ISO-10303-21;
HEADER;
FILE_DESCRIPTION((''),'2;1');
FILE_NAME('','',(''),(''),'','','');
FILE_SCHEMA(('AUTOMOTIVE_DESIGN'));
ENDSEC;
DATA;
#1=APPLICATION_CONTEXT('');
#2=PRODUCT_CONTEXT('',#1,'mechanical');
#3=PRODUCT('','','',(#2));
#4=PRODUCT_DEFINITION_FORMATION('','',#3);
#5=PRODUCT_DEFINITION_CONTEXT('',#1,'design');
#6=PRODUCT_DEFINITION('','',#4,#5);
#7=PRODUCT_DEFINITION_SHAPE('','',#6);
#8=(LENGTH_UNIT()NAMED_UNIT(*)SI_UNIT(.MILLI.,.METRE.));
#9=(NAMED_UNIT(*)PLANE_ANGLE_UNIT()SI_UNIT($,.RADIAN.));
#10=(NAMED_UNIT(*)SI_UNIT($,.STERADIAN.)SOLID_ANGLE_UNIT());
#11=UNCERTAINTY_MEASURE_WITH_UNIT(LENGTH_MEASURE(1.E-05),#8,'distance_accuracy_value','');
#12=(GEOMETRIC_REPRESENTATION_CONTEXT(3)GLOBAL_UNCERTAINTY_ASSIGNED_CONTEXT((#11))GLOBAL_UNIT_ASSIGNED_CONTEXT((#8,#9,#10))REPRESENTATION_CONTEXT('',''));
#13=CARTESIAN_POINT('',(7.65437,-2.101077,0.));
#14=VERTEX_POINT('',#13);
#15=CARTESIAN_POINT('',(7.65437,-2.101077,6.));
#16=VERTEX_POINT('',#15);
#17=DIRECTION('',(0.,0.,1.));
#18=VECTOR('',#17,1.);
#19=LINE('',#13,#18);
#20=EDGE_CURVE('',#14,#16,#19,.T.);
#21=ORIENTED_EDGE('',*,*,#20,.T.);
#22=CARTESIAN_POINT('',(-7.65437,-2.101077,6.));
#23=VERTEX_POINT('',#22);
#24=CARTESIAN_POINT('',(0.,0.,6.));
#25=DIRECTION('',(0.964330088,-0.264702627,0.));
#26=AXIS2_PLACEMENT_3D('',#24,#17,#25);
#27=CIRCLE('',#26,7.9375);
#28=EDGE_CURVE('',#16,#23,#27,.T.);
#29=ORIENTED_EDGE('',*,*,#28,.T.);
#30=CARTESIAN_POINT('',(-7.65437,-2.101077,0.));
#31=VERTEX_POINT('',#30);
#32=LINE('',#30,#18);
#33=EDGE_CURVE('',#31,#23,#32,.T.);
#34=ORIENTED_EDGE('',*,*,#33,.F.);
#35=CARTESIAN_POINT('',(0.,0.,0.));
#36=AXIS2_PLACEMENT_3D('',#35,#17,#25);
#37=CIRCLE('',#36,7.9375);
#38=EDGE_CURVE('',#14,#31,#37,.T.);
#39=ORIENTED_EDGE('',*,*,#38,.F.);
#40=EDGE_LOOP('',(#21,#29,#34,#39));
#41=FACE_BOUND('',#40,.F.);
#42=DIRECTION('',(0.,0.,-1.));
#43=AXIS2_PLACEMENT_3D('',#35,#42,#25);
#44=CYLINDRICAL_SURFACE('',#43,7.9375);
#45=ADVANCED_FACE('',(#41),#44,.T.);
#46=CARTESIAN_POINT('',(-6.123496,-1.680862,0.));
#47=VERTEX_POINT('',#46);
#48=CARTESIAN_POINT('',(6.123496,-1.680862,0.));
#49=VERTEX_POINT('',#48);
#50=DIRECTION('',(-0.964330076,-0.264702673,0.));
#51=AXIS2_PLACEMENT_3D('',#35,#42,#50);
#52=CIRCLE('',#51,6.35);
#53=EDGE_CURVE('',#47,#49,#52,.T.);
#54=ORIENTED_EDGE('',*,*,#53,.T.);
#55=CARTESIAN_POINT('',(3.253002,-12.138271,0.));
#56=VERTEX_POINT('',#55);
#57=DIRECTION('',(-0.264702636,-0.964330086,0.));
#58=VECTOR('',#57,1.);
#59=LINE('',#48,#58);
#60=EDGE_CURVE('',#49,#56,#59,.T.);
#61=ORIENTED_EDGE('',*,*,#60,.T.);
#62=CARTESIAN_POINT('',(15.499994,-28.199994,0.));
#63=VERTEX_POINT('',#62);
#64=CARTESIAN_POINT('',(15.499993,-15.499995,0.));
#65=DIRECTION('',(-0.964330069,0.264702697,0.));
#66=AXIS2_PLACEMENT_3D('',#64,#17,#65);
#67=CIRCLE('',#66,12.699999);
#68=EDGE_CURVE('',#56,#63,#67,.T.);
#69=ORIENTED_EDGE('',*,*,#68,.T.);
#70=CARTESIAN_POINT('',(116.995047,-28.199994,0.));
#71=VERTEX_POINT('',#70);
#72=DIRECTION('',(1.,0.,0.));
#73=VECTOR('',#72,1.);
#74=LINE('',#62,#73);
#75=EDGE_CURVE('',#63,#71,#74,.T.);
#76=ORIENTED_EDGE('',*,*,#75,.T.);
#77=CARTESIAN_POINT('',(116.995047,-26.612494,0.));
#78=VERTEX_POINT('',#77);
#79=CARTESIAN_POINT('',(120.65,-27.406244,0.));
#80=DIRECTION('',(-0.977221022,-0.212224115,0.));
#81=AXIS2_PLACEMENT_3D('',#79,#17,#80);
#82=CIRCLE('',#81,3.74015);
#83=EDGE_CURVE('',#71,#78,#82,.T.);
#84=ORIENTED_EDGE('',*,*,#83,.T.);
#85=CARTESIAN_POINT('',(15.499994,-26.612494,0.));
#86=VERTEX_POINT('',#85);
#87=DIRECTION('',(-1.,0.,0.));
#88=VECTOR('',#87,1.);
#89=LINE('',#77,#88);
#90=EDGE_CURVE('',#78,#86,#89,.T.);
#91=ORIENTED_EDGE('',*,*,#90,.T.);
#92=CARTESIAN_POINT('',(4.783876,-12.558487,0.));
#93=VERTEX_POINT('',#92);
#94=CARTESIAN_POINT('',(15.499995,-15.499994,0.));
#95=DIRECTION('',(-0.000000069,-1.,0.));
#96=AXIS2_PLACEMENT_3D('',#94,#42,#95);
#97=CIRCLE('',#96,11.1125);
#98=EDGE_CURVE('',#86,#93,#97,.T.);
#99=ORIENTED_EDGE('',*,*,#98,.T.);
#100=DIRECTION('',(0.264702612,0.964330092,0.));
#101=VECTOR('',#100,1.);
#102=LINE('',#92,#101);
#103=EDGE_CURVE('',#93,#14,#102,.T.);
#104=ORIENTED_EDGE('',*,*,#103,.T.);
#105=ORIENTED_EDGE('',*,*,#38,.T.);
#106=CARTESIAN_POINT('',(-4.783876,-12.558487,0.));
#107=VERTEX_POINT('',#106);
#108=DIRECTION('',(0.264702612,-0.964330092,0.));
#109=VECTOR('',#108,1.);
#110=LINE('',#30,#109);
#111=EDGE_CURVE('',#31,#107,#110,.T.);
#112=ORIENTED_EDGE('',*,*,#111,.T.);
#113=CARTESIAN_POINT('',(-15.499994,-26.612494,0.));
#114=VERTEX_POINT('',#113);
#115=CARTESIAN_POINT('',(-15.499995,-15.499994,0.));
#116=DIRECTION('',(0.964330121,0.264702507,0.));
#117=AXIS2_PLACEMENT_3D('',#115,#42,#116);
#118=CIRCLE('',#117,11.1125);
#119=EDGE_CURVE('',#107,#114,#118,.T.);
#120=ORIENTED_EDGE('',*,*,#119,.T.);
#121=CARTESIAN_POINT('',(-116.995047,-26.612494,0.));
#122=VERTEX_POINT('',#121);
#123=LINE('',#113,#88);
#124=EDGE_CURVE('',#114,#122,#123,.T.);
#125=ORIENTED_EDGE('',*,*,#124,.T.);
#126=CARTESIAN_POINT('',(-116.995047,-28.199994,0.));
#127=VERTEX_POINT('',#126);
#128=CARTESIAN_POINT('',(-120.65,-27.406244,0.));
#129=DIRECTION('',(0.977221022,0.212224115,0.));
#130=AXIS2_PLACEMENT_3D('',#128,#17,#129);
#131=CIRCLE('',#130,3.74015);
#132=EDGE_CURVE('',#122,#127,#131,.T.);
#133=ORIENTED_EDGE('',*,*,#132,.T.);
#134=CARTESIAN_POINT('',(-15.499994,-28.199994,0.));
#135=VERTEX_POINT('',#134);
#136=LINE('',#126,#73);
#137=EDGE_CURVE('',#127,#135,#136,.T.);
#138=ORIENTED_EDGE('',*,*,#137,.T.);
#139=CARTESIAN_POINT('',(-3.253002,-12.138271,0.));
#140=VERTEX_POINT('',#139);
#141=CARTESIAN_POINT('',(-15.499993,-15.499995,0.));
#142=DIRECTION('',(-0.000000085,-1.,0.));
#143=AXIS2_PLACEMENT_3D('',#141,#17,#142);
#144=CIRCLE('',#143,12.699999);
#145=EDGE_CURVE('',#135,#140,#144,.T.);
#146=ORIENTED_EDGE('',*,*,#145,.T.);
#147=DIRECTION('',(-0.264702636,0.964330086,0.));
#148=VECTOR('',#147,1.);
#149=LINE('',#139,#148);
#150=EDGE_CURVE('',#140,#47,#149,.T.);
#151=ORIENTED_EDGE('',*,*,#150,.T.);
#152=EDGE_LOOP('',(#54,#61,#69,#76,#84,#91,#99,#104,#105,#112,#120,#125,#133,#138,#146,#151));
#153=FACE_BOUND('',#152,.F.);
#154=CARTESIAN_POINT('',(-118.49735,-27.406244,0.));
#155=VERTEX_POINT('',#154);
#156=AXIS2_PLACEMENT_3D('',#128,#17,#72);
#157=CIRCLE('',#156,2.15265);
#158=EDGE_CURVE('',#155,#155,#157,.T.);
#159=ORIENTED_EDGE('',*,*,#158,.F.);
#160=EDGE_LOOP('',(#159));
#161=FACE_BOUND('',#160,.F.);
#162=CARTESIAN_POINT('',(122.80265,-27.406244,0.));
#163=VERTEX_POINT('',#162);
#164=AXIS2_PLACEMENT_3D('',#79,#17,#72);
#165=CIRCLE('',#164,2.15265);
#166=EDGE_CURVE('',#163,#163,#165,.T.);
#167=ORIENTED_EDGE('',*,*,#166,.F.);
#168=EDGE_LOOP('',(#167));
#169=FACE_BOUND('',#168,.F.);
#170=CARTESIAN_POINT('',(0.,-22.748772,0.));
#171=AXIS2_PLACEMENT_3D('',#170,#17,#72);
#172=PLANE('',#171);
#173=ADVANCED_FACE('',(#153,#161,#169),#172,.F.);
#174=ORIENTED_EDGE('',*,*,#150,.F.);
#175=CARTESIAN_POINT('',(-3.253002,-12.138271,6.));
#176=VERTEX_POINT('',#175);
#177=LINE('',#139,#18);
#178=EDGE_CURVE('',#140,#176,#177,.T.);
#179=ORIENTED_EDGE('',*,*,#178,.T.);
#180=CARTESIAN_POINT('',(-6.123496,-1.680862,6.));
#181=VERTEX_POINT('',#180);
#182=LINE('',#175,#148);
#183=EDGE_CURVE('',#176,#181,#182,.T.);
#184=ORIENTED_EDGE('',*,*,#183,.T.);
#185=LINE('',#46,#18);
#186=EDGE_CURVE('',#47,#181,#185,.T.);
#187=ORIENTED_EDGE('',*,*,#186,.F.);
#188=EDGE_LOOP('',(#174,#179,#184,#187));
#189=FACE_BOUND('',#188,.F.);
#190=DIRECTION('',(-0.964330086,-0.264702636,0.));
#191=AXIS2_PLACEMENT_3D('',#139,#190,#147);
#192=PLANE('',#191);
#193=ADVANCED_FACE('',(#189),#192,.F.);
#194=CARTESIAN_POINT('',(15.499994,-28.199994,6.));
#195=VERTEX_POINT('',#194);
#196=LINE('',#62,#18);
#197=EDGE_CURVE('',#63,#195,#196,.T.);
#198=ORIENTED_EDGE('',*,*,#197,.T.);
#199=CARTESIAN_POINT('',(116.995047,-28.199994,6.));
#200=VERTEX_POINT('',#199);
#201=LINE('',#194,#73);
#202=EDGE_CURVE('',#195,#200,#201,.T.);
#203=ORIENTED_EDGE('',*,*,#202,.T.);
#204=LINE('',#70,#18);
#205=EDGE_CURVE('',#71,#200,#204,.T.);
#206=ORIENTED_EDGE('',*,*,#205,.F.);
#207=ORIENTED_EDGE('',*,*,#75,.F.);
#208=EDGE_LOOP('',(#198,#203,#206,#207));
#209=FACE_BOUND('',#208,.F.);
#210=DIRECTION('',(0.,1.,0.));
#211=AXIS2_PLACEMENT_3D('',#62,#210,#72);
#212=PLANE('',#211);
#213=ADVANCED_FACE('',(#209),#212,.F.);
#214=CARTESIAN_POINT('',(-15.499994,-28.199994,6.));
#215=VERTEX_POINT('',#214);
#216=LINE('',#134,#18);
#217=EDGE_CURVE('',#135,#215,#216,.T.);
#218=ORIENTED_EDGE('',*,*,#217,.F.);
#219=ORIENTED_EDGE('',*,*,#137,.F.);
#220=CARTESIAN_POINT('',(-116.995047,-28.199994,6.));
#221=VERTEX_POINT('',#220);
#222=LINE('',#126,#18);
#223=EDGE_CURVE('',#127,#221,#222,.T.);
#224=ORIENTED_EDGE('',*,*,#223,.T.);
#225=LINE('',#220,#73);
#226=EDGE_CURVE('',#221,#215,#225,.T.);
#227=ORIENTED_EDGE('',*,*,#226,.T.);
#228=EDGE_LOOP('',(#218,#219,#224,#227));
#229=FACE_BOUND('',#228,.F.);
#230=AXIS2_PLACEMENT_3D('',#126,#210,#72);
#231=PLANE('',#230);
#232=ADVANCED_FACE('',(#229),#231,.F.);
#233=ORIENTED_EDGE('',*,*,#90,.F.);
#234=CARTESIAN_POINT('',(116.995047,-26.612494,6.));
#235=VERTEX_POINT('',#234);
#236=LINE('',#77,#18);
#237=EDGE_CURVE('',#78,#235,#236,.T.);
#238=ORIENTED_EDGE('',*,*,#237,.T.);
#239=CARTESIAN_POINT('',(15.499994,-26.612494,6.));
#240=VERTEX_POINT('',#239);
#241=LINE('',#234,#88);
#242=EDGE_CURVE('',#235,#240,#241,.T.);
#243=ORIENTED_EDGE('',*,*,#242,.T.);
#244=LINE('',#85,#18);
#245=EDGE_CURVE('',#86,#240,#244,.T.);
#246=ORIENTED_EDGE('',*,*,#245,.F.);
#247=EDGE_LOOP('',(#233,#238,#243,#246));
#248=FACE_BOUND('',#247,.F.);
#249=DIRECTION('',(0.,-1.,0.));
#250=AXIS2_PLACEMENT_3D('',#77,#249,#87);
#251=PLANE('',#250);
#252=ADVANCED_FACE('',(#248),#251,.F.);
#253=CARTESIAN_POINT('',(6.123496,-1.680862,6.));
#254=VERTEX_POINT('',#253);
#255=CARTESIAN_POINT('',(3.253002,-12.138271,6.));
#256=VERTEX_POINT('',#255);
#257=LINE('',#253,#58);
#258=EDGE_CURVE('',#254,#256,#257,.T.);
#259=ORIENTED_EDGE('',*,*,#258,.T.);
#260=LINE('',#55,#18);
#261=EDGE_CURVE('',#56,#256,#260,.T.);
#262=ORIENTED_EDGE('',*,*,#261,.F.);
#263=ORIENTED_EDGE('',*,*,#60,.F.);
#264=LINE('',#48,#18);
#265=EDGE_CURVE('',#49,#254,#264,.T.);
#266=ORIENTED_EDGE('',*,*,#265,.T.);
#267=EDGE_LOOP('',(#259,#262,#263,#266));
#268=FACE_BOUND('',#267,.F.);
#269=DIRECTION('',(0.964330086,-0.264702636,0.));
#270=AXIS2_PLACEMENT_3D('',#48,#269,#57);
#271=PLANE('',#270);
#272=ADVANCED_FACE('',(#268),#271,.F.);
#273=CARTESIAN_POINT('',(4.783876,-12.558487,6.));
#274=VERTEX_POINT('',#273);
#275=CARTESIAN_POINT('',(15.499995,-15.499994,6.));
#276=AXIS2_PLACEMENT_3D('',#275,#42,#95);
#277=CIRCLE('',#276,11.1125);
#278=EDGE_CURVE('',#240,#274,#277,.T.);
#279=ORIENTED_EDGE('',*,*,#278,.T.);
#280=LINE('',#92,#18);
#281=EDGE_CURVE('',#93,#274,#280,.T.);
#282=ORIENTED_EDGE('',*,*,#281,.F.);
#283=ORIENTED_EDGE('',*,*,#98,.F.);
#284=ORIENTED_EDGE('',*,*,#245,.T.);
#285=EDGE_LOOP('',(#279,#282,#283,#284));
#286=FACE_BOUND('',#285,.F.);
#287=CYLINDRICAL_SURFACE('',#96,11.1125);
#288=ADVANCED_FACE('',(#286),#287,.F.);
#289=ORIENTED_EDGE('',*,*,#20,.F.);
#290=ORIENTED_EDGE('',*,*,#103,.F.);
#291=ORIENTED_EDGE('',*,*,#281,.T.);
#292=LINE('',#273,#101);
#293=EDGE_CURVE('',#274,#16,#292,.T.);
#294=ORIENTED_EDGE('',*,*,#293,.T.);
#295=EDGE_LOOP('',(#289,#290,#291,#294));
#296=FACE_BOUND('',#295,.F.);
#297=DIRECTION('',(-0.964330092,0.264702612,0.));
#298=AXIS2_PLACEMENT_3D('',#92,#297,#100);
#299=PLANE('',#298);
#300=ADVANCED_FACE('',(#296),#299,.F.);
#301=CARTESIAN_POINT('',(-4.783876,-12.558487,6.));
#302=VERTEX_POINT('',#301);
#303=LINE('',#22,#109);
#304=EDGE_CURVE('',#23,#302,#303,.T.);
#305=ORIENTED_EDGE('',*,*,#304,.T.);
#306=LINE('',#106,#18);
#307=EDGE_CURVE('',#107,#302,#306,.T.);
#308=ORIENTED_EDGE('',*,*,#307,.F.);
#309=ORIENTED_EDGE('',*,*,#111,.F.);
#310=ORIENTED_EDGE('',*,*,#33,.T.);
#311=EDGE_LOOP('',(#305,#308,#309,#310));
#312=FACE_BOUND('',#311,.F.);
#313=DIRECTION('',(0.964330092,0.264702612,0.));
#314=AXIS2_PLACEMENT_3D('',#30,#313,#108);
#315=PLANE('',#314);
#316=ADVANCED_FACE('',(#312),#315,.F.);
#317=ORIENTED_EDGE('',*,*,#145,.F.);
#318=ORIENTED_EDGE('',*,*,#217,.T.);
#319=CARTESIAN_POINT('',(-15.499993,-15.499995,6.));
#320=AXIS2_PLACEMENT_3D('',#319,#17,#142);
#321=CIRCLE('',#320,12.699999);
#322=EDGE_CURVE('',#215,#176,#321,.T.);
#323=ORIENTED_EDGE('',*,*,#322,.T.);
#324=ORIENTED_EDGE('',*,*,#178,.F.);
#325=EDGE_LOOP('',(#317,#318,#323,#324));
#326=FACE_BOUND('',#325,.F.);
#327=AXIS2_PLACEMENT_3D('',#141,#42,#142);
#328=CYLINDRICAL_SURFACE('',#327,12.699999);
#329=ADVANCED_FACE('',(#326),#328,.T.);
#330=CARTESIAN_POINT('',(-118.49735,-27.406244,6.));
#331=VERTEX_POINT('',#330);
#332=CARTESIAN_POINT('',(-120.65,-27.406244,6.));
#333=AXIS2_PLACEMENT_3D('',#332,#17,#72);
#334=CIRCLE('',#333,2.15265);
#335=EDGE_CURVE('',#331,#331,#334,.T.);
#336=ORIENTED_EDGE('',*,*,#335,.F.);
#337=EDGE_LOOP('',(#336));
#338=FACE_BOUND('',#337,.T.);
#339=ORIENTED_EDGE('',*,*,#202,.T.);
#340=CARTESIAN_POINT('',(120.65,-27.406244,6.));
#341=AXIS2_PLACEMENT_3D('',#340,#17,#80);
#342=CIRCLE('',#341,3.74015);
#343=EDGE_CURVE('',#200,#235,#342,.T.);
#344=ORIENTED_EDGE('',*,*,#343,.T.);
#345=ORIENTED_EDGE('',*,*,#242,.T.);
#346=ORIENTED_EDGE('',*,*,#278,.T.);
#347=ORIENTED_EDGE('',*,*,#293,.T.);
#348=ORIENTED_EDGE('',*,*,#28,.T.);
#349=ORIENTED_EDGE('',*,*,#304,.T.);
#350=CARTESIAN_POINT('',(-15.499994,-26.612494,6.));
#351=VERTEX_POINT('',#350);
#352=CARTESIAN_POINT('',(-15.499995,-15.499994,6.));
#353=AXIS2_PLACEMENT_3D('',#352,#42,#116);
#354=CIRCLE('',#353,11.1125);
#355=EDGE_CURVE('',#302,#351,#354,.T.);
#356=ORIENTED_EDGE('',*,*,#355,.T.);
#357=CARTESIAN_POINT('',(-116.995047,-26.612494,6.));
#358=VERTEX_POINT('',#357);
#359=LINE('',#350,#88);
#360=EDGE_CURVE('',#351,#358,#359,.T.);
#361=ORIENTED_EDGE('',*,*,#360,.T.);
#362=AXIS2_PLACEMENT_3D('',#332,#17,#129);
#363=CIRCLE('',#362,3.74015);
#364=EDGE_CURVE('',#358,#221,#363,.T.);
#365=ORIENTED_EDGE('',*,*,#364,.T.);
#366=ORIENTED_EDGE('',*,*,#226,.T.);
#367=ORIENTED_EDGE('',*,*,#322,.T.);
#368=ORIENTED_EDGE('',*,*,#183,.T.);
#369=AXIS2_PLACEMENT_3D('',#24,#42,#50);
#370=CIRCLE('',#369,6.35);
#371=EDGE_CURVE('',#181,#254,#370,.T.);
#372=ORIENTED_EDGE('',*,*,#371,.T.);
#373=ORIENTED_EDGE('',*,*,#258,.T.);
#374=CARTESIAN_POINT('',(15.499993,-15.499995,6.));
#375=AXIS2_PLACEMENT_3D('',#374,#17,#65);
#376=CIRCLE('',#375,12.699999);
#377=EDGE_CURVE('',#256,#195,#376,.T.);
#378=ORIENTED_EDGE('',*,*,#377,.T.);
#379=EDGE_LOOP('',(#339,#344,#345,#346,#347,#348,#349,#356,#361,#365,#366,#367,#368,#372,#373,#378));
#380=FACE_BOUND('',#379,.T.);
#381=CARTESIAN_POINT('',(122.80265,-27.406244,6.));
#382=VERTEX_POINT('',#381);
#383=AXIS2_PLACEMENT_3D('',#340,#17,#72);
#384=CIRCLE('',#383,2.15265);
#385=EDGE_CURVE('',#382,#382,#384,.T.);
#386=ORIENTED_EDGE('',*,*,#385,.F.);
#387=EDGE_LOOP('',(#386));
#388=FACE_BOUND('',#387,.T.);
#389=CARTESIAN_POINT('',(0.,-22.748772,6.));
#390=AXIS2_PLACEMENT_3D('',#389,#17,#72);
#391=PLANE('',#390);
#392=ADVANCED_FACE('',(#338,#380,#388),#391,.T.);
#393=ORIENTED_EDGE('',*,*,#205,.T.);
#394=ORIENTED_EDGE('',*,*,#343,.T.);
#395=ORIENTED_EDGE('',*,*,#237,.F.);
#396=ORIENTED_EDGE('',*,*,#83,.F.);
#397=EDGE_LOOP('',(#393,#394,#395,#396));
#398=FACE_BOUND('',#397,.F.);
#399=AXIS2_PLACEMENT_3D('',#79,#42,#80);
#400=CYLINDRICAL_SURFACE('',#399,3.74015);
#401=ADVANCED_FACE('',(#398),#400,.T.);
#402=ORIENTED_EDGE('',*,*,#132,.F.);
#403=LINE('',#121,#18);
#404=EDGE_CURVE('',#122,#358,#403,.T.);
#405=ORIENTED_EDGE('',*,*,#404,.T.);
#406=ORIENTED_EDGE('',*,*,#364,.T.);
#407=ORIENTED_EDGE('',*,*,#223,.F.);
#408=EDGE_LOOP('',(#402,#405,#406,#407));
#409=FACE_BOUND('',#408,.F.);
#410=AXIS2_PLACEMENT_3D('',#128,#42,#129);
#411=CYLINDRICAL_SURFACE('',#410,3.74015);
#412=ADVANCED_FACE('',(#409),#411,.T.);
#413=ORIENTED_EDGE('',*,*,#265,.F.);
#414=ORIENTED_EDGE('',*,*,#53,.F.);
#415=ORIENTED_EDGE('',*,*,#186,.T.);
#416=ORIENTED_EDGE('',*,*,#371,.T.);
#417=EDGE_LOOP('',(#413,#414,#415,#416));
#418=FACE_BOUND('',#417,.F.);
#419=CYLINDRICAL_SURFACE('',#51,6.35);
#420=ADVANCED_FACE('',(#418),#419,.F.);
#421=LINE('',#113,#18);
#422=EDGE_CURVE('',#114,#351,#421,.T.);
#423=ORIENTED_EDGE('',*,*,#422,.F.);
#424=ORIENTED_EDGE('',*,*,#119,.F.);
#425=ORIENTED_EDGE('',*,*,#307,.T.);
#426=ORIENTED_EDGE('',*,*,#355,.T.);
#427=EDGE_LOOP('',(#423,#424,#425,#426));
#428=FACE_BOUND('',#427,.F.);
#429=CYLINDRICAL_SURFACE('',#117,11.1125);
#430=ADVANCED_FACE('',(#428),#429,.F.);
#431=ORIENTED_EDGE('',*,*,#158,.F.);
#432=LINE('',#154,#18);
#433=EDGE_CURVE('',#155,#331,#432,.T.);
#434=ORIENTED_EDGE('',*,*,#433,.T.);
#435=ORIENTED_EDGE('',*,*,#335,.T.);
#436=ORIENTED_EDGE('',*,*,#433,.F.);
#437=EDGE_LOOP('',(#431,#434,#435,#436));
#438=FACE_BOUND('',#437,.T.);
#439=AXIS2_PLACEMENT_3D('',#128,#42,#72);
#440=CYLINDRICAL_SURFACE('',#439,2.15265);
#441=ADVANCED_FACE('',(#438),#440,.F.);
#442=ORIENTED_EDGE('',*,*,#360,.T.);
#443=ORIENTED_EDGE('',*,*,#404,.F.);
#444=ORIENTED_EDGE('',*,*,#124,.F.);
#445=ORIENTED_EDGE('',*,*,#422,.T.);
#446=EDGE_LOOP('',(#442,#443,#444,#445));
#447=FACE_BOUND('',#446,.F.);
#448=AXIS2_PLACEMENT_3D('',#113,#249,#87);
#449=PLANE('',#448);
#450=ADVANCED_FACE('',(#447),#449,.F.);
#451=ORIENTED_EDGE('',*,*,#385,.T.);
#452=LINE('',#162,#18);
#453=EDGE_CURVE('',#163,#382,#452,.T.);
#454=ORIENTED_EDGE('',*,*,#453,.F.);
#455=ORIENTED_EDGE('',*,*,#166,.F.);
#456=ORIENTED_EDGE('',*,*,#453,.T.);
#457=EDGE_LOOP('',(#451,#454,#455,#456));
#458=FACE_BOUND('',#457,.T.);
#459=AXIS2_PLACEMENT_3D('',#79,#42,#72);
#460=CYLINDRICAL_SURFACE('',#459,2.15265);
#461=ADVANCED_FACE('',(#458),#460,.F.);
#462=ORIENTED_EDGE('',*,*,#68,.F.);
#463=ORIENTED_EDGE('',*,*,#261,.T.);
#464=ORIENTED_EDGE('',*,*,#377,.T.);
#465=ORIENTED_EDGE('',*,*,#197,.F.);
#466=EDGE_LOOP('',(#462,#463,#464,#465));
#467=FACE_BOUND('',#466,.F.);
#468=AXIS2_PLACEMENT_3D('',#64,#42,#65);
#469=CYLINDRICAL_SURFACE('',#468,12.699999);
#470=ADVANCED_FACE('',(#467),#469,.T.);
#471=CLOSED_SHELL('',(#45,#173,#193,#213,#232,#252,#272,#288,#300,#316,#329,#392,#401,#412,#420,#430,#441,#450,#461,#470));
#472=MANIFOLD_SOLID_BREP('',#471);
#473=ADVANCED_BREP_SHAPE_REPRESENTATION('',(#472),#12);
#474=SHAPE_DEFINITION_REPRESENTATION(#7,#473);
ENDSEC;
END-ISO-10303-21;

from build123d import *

# Parameters (mm, degrees)
F0_R     = 2.15265
F1_DEPTH = 6


with BuildPart() as f1:
    # F0 (on Top) → F1 (new body)
    with BuildSketch(Plane.XY):
        with BuildLine():
            ThreePointArc((-6.123496, -1.680862), (0, 6.35), (6.123496, -1.680862))
            Line((6.123496, -1.680862), (3.253002, -12.138271))
            ThreePointArc((3.253002, -12.138271), (5.400888, -23.200518), (15.499994, -28.199994))
            Line((15.499994, -28.199994), (116.995047, -28.199994))
            ThreePointArc((116.995047, -28.199994), (124.39015, -27.406244), (116.995047, -26.612494))
            Line((116.995047, -26.612494), (15.499994, -26.612494))
            ThreePointArc((15.499994, -26.612494), (6.663277, -22.237952), (4.783876, -12.558487))
            Line((4.783876, -12.558487), (7.65437, -2.101077))
            ThreePointArc((7.65437, -2.101077), (0, 7.9375), (-7.65437, -2.101077))
            Line((-7.65437, -2.101077), (-4.783876, -12.558487))
            ThreePointArc((-4.783876, -12.558487), (-6.663277, -22.237952), (-15.499994, -26.612494))
            Line((-15.499994, -26.612494), (-116.995047, -26.612494))
            ThreePointArc((-116.995047, -26.612494), (-124.39015, -27.406244), (-116.995047, -28.199994))
            Line((-116.995047, -28.199994), (-15.499994, -28.199994))
            ThreePointArc((-15.499994, -28.199994), (-5.400888, -23.200518), (-3.253002, -12.138271))
            Line((-3.253002, -12.138271), (-6.123496, -1.680862))
        make_face()
        with Locations((-120.65, -27.406244)):
            Circle(F0_R, mode=Mode.SUBTRACT)
        with Locations((120.65, -27.406244)):
            Circle(F0_R, mode=Mode.SUBTRACT)
    extrude(amount=F1_DEPTH)


solid = f1.part
